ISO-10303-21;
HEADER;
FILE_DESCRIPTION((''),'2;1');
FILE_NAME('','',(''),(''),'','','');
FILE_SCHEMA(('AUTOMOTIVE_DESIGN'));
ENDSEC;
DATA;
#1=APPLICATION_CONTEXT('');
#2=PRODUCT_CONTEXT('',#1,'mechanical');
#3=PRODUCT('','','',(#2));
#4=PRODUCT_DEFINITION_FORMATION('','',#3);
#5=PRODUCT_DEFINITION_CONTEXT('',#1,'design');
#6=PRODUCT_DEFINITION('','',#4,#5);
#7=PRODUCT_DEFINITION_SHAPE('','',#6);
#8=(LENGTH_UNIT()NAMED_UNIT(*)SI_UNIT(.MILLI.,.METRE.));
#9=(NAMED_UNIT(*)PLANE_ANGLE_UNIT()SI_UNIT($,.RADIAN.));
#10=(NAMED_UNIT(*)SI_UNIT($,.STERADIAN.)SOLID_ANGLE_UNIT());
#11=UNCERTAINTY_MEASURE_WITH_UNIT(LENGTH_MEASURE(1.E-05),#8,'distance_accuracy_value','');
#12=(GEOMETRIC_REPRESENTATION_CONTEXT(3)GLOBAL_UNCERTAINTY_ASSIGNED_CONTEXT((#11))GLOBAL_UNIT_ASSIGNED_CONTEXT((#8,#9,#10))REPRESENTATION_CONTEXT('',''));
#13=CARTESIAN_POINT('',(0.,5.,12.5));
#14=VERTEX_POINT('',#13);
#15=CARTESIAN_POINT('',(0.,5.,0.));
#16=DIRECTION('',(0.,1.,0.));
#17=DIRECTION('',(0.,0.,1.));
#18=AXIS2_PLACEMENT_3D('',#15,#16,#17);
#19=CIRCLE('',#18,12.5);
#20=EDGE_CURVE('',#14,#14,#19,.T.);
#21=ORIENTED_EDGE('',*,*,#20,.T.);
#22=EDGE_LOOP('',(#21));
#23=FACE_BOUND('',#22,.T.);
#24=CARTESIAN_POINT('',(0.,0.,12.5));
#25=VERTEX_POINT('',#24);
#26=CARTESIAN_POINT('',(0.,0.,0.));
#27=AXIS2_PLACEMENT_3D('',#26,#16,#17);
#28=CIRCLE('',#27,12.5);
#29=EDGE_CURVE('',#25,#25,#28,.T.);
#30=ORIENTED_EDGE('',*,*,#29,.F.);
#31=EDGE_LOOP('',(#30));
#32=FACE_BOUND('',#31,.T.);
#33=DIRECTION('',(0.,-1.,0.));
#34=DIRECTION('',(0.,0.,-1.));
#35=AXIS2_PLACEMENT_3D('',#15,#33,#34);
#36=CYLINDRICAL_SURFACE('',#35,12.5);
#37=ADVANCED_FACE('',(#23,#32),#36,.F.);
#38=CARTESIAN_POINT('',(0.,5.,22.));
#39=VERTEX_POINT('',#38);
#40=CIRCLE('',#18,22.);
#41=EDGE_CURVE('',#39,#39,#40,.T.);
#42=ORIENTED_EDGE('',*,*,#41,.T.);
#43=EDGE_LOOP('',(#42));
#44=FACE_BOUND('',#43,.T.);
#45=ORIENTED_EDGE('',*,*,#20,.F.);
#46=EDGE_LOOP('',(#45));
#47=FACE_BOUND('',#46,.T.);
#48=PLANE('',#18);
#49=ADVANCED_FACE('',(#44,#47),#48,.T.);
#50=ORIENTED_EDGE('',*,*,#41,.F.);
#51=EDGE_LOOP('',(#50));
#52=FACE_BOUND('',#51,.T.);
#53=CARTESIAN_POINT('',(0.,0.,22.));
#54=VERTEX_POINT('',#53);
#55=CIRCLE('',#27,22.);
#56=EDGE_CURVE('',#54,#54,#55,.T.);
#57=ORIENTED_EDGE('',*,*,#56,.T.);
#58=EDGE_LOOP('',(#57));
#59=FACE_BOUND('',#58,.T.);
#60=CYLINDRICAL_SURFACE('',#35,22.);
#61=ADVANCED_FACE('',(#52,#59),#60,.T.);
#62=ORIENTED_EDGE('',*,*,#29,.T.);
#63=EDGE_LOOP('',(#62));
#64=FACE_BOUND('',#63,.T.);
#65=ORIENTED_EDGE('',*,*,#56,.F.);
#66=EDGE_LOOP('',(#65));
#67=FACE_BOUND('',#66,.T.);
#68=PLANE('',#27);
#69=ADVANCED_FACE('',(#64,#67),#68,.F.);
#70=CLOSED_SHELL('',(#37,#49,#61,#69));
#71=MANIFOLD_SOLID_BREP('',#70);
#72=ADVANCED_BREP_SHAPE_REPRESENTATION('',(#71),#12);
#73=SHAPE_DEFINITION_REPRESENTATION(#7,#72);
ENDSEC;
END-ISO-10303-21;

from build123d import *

# Parameters (mm, degrees)
CROQUIS1_R              = 22
CROQUIS1_R_2            = 12.5
SALIENTE_EXTRUIR1_DEPTH = 5


with BuildPart() as part:
    # Croquis1 → Saliente-Extruir1 (new body)
    with BuildSketch(Plane(origin=(0, 0, 0), x_dir=(1, 0, 0), z_dir=(0, 1, 0))):
        Circle(CROQUIS1_R)
        Circle(CROQUIS1_R_2, mode=Mode.SUBTRACT)
    extrude(amount=SALIENTE_EXTRUIR1_DEPTH)


solid = part.part
